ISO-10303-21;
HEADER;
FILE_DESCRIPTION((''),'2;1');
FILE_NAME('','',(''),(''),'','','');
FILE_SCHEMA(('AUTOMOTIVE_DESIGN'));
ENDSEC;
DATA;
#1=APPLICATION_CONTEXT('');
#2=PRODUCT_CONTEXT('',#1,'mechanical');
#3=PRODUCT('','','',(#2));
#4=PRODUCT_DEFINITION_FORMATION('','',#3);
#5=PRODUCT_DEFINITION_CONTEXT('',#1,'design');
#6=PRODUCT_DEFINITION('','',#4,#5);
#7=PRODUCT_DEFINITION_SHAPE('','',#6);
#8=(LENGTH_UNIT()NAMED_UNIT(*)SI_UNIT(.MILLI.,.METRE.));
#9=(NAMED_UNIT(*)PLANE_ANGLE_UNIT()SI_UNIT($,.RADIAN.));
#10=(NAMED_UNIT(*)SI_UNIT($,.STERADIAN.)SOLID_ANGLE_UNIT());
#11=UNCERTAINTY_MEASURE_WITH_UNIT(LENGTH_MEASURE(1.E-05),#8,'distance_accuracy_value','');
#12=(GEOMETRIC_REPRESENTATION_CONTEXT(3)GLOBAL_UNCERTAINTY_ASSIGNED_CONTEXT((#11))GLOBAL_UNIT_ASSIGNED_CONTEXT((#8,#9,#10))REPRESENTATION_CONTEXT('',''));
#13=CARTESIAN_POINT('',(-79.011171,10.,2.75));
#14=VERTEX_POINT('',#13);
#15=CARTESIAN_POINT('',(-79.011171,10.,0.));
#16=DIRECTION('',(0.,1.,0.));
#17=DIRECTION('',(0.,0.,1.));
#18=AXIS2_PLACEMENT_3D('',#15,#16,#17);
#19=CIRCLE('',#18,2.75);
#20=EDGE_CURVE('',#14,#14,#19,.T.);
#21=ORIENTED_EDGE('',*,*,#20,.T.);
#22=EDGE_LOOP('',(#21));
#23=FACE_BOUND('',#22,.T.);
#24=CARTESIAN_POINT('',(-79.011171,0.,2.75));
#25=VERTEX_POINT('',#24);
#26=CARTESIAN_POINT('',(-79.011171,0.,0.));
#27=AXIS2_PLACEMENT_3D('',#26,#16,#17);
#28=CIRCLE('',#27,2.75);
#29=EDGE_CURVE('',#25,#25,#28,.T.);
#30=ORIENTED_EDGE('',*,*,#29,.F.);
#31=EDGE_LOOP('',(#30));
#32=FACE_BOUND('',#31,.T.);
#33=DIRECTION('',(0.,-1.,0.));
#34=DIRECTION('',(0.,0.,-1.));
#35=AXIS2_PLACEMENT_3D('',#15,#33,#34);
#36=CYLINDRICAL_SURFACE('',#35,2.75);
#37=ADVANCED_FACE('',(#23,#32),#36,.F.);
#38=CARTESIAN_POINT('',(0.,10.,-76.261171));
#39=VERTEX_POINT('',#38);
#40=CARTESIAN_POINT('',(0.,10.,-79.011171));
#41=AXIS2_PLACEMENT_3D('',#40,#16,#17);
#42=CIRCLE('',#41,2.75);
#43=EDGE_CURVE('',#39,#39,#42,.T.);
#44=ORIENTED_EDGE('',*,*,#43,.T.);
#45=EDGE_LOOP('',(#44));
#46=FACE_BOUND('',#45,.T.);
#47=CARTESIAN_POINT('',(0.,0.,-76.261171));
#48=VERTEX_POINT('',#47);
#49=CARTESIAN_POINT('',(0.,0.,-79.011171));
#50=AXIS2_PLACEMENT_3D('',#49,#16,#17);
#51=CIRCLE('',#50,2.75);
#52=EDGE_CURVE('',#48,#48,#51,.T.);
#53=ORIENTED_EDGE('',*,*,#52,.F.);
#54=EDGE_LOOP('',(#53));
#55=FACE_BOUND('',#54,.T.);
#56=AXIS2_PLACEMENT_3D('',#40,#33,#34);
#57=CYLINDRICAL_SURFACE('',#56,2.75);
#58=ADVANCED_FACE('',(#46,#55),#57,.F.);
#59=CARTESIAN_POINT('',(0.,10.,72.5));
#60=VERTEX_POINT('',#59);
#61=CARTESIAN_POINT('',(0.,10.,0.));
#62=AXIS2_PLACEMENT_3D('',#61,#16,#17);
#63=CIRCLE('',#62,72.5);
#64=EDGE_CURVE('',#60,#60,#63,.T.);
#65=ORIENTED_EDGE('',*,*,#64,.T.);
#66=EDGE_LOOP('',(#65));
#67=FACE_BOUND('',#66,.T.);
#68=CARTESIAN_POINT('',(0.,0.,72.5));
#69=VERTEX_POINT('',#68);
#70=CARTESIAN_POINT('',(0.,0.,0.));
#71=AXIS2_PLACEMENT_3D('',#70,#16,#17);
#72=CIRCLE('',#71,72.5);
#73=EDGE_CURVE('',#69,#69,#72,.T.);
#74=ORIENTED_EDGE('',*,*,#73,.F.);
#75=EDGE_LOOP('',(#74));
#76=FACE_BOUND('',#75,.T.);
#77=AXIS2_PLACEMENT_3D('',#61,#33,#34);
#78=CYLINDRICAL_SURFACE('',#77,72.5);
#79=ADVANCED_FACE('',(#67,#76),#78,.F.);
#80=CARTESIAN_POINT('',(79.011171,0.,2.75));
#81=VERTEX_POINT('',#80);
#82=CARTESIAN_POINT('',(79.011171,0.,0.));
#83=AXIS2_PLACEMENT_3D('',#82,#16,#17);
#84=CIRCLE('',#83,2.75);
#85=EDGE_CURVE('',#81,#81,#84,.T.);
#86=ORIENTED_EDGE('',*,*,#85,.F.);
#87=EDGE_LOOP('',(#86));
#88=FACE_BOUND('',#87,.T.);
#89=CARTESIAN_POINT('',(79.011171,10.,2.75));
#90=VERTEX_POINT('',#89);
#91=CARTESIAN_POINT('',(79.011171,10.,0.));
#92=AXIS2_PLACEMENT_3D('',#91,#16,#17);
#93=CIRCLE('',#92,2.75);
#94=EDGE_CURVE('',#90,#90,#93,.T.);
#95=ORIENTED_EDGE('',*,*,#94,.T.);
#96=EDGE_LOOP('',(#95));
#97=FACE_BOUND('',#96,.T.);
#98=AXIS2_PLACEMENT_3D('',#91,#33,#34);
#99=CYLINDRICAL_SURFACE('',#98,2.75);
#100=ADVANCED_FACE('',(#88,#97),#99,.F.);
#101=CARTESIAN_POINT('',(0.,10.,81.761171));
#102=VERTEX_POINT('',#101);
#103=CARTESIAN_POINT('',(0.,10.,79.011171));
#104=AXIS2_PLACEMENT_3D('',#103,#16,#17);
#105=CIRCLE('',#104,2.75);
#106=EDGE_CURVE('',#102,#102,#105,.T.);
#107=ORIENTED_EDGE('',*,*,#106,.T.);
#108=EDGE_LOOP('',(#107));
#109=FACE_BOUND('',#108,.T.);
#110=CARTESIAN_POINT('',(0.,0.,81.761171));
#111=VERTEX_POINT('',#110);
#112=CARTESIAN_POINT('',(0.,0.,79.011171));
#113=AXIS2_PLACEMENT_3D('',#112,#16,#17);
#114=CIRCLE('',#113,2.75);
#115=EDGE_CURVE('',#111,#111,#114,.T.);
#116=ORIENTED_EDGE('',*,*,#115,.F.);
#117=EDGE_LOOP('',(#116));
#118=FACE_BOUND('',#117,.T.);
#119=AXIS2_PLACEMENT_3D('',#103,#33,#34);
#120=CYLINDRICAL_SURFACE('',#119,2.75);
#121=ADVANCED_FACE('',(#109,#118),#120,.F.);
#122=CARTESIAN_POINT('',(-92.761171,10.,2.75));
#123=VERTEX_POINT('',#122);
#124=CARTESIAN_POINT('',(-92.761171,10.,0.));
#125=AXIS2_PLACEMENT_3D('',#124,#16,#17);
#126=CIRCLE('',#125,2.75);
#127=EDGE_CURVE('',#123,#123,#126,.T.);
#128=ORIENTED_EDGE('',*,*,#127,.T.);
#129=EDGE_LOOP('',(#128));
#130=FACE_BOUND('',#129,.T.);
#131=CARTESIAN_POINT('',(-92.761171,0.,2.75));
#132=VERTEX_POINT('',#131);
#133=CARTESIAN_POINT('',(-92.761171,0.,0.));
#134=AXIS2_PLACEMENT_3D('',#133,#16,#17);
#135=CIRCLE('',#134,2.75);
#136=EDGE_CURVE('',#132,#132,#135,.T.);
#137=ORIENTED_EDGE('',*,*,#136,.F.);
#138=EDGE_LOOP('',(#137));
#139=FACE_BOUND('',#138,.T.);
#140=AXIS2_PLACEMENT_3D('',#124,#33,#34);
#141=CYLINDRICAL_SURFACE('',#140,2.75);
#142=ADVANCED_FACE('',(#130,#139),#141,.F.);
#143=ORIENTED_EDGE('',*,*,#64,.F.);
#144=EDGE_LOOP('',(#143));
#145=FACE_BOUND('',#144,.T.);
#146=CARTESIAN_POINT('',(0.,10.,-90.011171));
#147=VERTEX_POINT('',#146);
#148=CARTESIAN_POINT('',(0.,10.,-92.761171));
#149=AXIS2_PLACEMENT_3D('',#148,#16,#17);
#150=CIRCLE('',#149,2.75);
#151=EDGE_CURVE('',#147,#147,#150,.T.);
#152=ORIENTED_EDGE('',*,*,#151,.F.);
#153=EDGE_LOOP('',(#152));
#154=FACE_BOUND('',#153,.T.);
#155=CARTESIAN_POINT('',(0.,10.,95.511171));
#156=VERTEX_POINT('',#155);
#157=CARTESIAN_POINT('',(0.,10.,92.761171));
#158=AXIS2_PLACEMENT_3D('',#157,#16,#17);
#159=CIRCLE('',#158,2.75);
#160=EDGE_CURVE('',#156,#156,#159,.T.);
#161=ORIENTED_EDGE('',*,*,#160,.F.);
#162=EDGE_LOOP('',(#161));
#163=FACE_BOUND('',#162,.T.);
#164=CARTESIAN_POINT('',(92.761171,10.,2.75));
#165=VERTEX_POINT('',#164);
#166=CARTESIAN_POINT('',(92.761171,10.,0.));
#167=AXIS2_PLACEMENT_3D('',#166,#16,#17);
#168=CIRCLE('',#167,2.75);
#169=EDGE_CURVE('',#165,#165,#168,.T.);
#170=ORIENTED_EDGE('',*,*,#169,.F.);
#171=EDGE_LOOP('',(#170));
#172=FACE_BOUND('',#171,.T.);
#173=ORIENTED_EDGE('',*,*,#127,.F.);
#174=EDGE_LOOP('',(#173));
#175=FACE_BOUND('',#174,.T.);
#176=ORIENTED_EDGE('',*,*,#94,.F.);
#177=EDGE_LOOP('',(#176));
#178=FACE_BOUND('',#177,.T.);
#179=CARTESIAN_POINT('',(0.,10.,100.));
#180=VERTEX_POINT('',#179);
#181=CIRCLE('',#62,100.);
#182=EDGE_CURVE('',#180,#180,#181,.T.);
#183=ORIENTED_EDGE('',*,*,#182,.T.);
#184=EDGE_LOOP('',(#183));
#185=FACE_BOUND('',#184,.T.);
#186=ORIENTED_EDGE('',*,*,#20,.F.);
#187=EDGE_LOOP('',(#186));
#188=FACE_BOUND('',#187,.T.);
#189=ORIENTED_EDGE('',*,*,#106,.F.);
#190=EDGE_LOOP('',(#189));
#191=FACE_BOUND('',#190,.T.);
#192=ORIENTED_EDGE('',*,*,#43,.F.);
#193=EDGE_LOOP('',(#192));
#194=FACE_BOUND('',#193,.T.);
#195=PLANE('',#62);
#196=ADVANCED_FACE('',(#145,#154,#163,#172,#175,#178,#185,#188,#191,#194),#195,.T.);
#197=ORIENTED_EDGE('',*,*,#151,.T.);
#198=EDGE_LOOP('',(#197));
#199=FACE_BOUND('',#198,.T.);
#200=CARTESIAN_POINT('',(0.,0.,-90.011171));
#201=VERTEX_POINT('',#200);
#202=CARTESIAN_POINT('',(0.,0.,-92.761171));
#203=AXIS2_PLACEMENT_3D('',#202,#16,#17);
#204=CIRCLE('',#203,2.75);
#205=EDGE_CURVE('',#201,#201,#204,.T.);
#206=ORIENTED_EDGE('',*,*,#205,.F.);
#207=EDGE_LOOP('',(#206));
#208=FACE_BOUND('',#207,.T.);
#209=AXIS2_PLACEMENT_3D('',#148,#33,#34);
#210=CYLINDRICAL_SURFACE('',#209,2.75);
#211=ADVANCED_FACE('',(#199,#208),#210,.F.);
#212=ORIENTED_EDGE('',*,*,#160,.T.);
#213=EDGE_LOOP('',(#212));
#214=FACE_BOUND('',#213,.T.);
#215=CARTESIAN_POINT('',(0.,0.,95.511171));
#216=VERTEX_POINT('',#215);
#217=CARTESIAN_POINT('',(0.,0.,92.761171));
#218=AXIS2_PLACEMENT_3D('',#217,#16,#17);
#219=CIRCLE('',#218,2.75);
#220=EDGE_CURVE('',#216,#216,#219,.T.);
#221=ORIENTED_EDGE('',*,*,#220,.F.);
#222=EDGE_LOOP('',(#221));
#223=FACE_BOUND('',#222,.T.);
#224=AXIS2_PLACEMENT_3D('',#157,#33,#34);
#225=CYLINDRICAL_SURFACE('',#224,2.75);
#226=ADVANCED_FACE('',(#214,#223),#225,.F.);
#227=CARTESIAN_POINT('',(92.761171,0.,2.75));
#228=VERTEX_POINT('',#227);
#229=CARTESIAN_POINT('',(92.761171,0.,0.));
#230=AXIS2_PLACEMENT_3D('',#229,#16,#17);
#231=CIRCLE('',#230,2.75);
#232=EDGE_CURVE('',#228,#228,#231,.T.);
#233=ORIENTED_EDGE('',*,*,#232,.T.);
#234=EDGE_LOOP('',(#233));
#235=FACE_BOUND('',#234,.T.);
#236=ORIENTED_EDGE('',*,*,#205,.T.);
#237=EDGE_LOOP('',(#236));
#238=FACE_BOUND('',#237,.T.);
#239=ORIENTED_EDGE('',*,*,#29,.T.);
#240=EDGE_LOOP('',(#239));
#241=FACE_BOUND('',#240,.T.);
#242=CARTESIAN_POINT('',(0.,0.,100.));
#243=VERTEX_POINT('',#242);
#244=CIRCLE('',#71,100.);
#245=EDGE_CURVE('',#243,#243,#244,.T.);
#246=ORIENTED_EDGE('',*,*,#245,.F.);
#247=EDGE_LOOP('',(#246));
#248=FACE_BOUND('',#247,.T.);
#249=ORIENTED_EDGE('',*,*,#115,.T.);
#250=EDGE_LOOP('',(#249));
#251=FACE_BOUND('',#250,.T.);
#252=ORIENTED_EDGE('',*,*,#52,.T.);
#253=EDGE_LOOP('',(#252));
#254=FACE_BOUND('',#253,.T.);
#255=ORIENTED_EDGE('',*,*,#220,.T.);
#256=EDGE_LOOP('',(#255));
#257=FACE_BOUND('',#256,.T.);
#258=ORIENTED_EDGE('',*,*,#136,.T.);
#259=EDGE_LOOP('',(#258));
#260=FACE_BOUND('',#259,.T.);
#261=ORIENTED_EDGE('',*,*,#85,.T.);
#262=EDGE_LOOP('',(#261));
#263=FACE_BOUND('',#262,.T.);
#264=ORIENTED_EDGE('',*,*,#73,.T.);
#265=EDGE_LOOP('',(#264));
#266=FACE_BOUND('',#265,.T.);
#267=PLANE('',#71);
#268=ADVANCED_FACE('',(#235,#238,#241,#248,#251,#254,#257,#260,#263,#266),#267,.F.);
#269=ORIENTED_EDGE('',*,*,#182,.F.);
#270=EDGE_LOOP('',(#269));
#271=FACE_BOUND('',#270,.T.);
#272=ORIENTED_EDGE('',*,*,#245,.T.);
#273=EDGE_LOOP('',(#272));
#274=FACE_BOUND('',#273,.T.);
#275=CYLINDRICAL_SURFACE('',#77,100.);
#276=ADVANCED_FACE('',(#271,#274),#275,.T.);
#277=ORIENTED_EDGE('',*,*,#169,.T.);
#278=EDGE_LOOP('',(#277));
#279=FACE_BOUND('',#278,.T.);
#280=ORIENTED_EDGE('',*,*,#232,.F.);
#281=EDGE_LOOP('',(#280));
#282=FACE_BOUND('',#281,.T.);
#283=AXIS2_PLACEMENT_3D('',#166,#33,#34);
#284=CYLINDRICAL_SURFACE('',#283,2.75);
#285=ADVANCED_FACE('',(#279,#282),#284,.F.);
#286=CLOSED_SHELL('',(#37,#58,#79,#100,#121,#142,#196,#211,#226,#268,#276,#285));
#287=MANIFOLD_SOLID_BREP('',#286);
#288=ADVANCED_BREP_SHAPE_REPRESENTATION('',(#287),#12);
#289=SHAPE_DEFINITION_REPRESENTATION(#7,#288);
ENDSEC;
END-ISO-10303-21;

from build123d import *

# Parameters (mm, degrees)
SKETCH1_R           = 100
SKETCH1_R_2         = 72.5
SKETCH1_R_3         = 2.75
BOSS_EXTRUDE1_DEPTH = 10


with BuildPart() as part:
    # Sketch1 → Boss-Extrude1 (new body)
    with BuildSketch(Plane(origin=(0, 0, 0), x_dir=(1, 0, 0), z_dir=(0, 1, 0))):
        with Locations(Location((0, 0, 0), (0, 0, 270))):
            Circle(SKETCH1_R)
        with Locations(Location((0, 0, 0), (0, 0, 270))):
            Circle(SKETCH1_R_2, mode=Mode.SUBTRACT)
        with Locations(Location((-79.011171343, 0, 0), (0, 0, 270))):
            Circle(SKETCH1_R_3, mode=Mode.SUBTRACT)
        with Locations(Location((-92.761171343, 0, 0), (0, 0, 270))):
            Circle(SKETCH1_R_3, mode=Mode.SUBTRACT)
        with Locations(Location((0, 79.011171343, 0), (0, 0, 270))):
            Circle(SKETCH1_R_3, mode=Mode.SUBTRACT)
        with Locations(Location((0, 92.761171343, 0), (0, 0, 270))):
            Circle(SKETCH1_R_3, mode=Mode.SUBTRACT)
        with Locations(Location((79.011171343, 0, 0), (0, 0, 270))):
            Circle(SKETCH1_R_3, mode=Mode.SUBTRACT)
        with Locations(Location((92.761171343, 0, 0), (0, 0, 270))):
            Circle(SKETCH1_R_3, mode=Mode.SUBTRACT)
        with Locations(Location((0, -79.011171343, 0), (0, 0, 270))):
            Circle(SKETCH1_R_3, mode=Mode.SUBTRACT)
        with Locations(Location((0, -92.761171343, 0), (0, 0, 270))):
            Circle(SKETCH1_R_3, mode=Mode.SUBTRACT)
    extrude(amount=BOSS_EXTRUDE1_DEPTH)


solid = part.part
